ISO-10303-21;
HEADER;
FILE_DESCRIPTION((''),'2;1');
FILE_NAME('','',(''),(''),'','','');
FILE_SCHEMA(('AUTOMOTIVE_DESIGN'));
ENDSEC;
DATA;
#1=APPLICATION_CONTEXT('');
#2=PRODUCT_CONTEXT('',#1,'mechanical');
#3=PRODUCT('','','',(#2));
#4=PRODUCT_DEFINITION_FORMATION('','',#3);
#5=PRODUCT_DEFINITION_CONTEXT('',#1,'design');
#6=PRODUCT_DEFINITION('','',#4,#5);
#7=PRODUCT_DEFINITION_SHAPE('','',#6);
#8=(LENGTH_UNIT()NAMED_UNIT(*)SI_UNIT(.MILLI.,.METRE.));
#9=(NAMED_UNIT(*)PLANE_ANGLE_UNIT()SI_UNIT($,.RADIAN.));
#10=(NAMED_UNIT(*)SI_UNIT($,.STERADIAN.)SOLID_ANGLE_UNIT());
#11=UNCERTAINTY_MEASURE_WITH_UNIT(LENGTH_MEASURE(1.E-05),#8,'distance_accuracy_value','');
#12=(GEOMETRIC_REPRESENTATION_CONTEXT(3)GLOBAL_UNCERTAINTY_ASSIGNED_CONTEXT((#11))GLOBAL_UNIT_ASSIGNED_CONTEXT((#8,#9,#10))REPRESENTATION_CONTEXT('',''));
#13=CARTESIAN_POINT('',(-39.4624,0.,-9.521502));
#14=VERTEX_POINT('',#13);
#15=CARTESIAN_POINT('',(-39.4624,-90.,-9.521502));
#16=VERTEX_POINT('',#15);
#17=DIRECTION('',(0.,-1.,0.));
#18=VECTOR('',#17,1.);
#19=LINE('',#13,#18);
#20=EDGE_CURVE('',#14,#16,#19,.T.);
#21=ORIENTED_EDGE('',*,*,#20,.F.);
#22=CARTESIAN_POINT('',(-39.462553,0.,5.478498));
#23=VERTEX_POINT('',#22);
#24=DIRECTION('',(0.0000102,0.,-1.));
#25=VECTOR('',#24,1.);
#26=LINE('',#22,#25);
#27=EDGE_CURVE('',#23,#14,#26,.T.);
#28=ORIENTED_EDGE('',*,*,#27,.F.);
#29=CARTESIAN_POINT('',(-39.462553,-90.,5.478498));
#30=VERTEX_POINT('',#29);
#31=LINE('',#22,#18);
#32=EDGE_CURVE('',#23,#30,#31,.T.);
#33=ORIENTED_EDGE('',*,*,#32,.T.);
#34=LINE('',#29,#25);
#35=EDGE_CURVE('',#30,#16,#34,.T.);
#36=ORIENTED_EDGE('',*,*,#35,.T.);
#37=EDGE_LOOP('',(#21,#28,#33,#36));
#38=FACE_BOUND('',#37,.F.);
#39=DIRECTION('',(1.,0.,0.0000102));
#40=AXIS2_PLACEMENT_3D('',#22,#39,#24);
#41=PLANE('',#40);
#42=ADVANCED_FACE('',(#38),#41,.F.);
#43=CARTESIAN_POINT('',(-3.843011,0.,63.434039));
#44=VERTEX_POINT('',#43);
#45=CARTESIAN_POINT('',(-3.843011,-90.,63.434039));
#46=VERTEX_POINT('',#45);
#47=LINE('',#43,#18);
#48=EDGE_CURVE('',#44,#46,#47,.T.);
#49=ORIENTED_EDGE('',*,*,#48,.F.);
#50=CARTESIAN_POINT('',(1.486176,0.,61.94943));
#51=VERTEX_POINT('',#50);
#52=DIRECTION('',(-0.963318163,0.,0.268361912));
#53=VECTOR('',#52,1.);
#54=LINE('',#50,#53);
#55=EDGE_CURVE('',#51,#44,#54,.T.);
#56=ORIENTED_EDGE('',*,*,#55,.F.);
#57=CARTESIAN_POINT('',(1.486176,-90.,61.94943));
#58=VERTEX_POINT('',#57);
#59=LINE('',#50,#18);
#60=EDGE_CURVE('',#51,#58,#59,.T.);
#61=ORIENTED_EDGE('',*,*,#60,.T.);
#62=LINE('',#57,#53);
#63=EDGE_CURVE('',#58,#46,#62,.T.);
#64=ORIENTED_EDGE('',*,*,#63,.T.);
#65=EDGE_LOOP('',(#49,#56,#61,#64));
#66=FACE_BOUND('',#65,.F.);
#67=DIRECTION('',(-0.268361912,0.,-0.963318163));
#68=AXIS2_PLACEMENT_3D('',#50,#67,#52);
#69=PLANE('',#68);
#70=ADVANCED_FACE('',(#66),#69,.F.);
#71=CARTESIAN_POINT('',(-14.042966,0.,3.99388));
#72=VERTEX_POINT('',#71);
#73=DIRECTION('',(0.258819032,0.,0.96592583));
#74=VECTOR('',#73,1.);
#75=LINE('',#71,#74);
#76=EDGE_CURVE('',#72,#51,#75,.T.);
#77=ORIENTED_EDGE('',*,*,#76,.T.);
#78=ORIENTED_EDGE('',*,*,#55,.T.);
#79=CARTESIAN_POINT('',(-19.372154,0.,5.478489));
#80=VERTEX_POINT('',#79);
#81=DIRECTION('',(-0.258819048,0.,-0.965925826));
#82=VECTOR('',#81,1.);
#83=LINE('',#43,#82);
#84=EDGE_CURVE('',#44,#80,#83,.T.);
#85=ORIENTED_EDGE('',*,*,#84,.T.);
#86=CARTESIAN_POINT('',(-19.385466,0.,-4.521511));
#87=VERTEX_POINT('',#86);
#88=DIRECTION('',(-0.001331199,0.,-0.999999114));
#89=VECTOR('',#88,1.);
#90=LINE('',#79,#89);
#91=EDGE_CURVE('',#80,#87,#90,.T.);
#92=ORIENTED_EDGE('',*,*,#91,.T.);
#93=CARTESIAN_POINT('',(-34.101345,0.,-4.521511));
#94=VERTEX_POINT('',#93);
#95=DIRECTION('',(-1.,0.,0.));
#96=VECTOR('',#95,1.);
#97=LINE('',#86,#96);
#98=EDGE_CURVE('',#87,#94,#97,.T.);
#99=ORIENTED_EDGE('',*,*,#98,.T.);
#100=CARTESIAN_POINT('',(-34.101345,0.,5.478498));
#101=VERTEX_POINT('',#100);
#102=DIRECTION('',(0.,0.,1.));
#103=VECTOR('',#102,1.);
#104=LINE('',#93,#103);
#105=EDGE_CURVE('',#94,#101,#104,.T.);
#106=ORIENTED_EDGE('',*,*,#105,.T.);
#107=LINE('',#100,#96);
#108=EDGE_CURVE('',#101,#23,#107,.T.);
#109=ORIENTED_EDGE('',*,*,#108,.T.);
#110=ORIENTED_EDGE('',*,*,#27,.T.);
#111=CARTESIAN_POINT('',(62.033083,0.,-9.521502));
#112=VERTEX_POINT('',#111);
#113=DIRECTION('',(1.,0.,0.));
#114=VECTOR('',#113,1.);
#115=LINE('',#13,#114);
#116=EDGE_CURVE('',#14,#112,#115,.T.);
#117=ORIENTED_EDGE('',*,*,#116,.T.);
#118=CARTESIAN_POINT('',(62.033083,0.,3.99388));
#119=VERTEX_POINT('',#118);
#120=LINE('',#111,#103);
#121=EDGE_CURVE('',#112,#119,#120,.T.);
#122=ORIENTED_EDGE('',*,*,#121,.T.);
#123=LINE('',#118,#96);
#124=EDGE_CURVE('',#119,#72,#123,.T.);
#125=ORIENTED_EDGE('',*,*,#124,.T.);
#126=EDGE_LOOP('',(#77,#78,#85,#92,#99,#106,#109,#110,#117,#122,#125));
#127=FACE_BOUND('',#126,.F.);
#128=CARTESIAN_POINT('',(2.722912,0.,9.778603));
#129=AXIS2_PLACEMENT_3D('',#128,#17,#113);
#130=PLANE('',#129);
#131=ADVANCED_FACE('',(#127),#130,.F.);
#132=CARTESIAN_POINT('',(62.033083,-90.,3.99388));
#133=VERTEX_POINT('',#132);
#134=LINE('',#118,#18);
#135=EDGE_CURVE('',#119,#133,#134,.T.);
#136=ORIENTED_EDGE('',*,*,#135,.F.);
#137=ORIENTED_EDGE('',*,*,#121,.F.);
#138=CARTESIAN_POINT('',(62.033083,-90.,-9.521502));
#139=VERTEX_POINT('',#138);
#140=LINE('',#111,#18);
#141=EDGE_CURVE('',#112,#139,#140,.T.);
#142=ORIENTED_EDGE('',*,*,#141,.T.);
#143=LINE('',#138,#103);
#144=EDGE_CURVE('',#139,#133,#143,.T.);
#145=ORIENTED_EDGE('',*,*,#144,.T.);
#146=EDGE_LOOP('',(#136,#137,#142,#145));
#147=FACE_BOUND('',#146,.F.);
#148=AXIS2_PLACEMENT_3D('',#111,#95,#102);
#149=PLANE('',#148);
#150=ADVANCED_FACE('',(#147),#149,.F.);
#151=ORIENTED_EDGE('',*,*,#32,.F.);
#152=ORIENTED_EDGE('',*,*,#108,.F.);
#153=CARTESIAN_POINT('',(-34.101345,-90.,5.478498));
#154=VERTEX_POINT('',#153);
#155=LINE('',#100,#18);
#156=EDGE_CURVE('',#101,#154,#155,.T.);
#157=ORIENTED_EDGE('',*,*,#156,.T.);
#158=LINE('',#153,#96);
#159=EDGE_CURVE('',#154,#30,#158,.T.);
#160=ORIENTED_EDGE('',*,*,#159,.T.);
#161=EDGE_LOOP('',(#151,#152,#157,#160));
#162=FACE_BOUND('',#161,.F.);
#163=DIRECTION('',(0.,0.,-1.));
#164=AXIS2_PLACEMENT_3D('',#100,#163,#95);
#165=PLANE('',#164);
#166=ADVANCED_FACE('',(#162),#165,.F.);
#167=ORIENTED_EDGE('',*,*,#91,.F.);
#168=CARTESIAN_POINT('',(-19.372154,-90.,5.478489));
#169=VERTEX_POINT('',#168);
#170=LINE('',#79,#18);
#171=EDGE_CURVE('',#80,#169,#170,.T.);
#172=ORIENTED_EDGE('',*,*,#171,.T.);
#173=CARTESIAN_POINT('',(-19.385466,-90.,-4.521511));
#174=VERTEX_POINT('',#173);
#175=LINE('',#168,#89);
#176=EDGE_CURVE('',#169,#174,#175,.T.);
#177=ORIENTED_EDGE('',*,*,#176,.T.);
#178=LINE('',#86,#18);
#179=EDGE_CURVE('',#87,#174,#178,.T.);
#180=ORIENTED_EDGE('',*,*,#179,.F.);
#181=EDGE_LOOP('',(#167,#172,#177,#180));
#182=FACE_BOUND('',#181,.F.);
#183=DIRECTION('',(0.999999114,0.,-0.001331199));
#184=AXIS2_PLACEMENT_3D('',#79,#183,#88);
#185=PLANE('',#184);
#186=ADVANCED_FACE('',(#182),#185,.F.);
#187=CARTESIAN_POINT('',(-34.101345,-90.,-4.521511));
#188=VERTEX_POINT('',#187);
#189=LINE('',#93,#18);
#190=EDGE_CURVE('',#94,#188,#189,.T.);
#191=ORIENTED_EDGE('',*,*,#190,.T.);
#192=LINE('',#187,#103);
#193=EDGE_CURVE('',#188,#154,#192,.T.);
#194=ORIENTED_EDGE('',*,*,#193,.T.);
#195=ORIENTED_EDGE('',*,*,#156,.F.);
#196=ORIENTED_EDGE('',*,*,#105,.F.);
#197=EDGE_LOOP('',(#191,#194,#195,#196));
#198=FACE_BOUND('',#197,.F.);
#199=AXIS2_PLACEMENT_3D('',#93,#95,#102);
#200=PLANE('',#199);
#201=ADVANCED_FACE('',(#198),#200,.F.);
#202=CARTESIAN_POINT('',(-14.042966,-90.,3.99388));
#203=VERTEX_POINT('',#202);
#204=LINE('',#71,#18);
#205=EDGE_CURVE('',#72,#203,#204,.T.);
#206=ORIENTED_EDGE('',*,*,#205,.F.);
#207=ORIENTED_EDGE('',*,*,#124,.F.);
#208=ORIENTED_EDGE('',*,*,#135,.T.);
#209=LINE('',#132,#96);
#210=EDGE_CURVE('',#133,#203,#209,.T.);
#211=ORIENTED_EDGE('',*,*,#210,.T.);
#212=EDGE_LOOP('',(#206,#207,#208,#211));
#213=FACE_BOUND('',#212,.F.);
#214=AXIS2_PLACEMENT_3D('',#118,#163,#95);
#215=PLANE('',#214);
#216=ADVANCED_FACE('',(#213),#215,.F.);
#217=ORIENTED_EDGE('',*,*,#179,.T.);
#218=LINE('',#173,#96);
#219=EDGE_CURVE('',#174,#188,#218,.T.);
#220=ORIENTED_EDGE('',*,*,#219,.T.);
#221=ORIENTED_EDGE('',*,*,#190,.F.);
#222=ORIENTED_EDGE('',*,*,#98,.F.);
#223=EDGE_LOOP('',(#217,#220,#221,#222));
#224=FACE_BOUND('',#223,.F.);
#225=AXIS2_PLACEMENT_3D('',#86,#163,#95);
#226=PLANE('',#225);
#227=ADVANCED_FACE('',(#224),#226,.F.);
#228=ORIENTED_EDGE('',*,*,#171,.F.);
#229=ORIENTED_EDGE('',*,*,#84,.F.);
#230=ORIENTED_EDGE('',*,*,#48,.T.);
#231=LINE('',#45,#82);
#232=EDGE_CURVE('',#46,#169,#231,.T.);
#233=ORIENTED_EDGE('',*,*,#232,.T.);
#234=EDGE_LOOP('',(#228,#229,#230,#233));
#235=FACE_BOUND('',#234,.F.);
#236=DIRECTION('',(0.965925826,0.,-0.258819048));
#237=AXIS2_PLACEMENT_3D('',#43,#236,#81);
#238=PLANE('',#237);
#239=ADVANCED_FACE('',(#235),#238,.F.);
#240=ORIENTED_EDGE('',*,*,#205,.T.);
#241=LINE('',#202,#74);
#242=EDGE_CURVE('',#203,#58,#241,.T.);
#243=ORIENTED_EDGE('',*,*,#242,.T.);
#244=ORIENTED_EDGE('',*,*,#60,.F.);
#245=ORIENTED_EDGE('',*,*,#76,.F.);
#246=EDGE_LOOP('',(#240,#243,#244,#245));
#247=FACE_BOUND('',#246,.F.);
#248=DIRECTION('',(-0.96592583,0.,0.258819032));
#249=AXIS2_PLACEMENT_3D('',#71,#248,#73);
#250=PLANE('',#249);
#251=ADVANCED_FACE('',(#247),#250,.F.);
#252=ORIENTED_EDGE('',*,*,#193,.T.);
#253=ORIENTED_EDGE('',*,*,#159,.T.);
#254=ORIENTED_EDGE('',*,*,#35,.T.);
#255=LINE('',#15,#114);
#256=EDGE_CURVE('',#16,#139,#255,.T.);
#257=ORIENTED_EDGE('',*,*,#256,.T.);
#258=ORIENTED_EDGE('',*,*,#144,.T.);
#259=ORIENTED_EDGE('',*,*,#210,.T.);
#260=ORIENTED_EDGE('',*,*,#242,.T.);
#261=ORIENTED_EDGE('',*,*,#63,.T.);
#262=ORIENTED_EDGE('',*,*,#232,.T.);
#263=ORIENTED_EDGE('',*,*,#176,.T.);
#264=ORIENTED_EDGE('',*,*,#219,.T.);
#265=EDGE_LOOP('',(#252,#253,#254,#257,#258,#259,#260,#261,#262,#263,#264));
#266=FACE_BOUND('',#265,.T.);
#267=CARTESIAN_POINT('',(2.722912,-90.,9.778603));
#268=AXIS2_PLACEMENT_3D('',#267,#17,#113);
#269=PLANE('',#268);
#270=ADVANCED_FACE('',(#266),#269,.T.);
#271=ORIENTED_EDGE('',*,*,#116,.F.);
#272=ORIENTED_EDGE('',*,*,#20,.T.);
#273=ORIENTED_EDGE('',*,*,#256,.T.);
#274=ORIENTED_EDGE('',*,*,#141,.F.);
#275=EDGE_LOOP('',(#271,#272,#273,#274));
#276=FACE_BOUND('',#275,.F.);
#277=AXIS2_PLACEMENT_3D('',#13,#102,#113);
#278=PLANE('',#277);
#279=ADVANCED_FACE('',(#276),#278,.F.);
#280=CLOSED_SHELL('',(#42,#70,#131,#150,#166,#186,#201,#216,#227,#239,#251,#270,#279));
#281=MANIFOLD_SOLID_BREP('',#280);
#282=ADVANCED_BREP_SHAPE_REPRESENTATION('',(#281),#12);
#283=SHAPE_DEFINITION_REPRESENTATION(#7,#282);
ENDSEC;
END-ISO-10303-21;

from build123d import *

# Parameters (mm, degrees)
PAD_DEPTH = 90


with BuildPart() as part:
    # Sketch → Pad (new body)
    with BuildSketch(Plane.XZ):
        Polygon((-39.462553, 5.478498), (-39.4624, -9.521502), (62.033083, -9.521502), (62.033083, 3.99388), (-14.042966, 3.99388), (1.486176, 61.94943), (-3.843011, 63.434039), (-19.372154, 5.478489), (-19.385466, -4.521511), (-34.101345, -4.521511), (-34.101345, 5.478498), align=None)
    extrude(amount=PAD_DEPTH)


solid = part.part
